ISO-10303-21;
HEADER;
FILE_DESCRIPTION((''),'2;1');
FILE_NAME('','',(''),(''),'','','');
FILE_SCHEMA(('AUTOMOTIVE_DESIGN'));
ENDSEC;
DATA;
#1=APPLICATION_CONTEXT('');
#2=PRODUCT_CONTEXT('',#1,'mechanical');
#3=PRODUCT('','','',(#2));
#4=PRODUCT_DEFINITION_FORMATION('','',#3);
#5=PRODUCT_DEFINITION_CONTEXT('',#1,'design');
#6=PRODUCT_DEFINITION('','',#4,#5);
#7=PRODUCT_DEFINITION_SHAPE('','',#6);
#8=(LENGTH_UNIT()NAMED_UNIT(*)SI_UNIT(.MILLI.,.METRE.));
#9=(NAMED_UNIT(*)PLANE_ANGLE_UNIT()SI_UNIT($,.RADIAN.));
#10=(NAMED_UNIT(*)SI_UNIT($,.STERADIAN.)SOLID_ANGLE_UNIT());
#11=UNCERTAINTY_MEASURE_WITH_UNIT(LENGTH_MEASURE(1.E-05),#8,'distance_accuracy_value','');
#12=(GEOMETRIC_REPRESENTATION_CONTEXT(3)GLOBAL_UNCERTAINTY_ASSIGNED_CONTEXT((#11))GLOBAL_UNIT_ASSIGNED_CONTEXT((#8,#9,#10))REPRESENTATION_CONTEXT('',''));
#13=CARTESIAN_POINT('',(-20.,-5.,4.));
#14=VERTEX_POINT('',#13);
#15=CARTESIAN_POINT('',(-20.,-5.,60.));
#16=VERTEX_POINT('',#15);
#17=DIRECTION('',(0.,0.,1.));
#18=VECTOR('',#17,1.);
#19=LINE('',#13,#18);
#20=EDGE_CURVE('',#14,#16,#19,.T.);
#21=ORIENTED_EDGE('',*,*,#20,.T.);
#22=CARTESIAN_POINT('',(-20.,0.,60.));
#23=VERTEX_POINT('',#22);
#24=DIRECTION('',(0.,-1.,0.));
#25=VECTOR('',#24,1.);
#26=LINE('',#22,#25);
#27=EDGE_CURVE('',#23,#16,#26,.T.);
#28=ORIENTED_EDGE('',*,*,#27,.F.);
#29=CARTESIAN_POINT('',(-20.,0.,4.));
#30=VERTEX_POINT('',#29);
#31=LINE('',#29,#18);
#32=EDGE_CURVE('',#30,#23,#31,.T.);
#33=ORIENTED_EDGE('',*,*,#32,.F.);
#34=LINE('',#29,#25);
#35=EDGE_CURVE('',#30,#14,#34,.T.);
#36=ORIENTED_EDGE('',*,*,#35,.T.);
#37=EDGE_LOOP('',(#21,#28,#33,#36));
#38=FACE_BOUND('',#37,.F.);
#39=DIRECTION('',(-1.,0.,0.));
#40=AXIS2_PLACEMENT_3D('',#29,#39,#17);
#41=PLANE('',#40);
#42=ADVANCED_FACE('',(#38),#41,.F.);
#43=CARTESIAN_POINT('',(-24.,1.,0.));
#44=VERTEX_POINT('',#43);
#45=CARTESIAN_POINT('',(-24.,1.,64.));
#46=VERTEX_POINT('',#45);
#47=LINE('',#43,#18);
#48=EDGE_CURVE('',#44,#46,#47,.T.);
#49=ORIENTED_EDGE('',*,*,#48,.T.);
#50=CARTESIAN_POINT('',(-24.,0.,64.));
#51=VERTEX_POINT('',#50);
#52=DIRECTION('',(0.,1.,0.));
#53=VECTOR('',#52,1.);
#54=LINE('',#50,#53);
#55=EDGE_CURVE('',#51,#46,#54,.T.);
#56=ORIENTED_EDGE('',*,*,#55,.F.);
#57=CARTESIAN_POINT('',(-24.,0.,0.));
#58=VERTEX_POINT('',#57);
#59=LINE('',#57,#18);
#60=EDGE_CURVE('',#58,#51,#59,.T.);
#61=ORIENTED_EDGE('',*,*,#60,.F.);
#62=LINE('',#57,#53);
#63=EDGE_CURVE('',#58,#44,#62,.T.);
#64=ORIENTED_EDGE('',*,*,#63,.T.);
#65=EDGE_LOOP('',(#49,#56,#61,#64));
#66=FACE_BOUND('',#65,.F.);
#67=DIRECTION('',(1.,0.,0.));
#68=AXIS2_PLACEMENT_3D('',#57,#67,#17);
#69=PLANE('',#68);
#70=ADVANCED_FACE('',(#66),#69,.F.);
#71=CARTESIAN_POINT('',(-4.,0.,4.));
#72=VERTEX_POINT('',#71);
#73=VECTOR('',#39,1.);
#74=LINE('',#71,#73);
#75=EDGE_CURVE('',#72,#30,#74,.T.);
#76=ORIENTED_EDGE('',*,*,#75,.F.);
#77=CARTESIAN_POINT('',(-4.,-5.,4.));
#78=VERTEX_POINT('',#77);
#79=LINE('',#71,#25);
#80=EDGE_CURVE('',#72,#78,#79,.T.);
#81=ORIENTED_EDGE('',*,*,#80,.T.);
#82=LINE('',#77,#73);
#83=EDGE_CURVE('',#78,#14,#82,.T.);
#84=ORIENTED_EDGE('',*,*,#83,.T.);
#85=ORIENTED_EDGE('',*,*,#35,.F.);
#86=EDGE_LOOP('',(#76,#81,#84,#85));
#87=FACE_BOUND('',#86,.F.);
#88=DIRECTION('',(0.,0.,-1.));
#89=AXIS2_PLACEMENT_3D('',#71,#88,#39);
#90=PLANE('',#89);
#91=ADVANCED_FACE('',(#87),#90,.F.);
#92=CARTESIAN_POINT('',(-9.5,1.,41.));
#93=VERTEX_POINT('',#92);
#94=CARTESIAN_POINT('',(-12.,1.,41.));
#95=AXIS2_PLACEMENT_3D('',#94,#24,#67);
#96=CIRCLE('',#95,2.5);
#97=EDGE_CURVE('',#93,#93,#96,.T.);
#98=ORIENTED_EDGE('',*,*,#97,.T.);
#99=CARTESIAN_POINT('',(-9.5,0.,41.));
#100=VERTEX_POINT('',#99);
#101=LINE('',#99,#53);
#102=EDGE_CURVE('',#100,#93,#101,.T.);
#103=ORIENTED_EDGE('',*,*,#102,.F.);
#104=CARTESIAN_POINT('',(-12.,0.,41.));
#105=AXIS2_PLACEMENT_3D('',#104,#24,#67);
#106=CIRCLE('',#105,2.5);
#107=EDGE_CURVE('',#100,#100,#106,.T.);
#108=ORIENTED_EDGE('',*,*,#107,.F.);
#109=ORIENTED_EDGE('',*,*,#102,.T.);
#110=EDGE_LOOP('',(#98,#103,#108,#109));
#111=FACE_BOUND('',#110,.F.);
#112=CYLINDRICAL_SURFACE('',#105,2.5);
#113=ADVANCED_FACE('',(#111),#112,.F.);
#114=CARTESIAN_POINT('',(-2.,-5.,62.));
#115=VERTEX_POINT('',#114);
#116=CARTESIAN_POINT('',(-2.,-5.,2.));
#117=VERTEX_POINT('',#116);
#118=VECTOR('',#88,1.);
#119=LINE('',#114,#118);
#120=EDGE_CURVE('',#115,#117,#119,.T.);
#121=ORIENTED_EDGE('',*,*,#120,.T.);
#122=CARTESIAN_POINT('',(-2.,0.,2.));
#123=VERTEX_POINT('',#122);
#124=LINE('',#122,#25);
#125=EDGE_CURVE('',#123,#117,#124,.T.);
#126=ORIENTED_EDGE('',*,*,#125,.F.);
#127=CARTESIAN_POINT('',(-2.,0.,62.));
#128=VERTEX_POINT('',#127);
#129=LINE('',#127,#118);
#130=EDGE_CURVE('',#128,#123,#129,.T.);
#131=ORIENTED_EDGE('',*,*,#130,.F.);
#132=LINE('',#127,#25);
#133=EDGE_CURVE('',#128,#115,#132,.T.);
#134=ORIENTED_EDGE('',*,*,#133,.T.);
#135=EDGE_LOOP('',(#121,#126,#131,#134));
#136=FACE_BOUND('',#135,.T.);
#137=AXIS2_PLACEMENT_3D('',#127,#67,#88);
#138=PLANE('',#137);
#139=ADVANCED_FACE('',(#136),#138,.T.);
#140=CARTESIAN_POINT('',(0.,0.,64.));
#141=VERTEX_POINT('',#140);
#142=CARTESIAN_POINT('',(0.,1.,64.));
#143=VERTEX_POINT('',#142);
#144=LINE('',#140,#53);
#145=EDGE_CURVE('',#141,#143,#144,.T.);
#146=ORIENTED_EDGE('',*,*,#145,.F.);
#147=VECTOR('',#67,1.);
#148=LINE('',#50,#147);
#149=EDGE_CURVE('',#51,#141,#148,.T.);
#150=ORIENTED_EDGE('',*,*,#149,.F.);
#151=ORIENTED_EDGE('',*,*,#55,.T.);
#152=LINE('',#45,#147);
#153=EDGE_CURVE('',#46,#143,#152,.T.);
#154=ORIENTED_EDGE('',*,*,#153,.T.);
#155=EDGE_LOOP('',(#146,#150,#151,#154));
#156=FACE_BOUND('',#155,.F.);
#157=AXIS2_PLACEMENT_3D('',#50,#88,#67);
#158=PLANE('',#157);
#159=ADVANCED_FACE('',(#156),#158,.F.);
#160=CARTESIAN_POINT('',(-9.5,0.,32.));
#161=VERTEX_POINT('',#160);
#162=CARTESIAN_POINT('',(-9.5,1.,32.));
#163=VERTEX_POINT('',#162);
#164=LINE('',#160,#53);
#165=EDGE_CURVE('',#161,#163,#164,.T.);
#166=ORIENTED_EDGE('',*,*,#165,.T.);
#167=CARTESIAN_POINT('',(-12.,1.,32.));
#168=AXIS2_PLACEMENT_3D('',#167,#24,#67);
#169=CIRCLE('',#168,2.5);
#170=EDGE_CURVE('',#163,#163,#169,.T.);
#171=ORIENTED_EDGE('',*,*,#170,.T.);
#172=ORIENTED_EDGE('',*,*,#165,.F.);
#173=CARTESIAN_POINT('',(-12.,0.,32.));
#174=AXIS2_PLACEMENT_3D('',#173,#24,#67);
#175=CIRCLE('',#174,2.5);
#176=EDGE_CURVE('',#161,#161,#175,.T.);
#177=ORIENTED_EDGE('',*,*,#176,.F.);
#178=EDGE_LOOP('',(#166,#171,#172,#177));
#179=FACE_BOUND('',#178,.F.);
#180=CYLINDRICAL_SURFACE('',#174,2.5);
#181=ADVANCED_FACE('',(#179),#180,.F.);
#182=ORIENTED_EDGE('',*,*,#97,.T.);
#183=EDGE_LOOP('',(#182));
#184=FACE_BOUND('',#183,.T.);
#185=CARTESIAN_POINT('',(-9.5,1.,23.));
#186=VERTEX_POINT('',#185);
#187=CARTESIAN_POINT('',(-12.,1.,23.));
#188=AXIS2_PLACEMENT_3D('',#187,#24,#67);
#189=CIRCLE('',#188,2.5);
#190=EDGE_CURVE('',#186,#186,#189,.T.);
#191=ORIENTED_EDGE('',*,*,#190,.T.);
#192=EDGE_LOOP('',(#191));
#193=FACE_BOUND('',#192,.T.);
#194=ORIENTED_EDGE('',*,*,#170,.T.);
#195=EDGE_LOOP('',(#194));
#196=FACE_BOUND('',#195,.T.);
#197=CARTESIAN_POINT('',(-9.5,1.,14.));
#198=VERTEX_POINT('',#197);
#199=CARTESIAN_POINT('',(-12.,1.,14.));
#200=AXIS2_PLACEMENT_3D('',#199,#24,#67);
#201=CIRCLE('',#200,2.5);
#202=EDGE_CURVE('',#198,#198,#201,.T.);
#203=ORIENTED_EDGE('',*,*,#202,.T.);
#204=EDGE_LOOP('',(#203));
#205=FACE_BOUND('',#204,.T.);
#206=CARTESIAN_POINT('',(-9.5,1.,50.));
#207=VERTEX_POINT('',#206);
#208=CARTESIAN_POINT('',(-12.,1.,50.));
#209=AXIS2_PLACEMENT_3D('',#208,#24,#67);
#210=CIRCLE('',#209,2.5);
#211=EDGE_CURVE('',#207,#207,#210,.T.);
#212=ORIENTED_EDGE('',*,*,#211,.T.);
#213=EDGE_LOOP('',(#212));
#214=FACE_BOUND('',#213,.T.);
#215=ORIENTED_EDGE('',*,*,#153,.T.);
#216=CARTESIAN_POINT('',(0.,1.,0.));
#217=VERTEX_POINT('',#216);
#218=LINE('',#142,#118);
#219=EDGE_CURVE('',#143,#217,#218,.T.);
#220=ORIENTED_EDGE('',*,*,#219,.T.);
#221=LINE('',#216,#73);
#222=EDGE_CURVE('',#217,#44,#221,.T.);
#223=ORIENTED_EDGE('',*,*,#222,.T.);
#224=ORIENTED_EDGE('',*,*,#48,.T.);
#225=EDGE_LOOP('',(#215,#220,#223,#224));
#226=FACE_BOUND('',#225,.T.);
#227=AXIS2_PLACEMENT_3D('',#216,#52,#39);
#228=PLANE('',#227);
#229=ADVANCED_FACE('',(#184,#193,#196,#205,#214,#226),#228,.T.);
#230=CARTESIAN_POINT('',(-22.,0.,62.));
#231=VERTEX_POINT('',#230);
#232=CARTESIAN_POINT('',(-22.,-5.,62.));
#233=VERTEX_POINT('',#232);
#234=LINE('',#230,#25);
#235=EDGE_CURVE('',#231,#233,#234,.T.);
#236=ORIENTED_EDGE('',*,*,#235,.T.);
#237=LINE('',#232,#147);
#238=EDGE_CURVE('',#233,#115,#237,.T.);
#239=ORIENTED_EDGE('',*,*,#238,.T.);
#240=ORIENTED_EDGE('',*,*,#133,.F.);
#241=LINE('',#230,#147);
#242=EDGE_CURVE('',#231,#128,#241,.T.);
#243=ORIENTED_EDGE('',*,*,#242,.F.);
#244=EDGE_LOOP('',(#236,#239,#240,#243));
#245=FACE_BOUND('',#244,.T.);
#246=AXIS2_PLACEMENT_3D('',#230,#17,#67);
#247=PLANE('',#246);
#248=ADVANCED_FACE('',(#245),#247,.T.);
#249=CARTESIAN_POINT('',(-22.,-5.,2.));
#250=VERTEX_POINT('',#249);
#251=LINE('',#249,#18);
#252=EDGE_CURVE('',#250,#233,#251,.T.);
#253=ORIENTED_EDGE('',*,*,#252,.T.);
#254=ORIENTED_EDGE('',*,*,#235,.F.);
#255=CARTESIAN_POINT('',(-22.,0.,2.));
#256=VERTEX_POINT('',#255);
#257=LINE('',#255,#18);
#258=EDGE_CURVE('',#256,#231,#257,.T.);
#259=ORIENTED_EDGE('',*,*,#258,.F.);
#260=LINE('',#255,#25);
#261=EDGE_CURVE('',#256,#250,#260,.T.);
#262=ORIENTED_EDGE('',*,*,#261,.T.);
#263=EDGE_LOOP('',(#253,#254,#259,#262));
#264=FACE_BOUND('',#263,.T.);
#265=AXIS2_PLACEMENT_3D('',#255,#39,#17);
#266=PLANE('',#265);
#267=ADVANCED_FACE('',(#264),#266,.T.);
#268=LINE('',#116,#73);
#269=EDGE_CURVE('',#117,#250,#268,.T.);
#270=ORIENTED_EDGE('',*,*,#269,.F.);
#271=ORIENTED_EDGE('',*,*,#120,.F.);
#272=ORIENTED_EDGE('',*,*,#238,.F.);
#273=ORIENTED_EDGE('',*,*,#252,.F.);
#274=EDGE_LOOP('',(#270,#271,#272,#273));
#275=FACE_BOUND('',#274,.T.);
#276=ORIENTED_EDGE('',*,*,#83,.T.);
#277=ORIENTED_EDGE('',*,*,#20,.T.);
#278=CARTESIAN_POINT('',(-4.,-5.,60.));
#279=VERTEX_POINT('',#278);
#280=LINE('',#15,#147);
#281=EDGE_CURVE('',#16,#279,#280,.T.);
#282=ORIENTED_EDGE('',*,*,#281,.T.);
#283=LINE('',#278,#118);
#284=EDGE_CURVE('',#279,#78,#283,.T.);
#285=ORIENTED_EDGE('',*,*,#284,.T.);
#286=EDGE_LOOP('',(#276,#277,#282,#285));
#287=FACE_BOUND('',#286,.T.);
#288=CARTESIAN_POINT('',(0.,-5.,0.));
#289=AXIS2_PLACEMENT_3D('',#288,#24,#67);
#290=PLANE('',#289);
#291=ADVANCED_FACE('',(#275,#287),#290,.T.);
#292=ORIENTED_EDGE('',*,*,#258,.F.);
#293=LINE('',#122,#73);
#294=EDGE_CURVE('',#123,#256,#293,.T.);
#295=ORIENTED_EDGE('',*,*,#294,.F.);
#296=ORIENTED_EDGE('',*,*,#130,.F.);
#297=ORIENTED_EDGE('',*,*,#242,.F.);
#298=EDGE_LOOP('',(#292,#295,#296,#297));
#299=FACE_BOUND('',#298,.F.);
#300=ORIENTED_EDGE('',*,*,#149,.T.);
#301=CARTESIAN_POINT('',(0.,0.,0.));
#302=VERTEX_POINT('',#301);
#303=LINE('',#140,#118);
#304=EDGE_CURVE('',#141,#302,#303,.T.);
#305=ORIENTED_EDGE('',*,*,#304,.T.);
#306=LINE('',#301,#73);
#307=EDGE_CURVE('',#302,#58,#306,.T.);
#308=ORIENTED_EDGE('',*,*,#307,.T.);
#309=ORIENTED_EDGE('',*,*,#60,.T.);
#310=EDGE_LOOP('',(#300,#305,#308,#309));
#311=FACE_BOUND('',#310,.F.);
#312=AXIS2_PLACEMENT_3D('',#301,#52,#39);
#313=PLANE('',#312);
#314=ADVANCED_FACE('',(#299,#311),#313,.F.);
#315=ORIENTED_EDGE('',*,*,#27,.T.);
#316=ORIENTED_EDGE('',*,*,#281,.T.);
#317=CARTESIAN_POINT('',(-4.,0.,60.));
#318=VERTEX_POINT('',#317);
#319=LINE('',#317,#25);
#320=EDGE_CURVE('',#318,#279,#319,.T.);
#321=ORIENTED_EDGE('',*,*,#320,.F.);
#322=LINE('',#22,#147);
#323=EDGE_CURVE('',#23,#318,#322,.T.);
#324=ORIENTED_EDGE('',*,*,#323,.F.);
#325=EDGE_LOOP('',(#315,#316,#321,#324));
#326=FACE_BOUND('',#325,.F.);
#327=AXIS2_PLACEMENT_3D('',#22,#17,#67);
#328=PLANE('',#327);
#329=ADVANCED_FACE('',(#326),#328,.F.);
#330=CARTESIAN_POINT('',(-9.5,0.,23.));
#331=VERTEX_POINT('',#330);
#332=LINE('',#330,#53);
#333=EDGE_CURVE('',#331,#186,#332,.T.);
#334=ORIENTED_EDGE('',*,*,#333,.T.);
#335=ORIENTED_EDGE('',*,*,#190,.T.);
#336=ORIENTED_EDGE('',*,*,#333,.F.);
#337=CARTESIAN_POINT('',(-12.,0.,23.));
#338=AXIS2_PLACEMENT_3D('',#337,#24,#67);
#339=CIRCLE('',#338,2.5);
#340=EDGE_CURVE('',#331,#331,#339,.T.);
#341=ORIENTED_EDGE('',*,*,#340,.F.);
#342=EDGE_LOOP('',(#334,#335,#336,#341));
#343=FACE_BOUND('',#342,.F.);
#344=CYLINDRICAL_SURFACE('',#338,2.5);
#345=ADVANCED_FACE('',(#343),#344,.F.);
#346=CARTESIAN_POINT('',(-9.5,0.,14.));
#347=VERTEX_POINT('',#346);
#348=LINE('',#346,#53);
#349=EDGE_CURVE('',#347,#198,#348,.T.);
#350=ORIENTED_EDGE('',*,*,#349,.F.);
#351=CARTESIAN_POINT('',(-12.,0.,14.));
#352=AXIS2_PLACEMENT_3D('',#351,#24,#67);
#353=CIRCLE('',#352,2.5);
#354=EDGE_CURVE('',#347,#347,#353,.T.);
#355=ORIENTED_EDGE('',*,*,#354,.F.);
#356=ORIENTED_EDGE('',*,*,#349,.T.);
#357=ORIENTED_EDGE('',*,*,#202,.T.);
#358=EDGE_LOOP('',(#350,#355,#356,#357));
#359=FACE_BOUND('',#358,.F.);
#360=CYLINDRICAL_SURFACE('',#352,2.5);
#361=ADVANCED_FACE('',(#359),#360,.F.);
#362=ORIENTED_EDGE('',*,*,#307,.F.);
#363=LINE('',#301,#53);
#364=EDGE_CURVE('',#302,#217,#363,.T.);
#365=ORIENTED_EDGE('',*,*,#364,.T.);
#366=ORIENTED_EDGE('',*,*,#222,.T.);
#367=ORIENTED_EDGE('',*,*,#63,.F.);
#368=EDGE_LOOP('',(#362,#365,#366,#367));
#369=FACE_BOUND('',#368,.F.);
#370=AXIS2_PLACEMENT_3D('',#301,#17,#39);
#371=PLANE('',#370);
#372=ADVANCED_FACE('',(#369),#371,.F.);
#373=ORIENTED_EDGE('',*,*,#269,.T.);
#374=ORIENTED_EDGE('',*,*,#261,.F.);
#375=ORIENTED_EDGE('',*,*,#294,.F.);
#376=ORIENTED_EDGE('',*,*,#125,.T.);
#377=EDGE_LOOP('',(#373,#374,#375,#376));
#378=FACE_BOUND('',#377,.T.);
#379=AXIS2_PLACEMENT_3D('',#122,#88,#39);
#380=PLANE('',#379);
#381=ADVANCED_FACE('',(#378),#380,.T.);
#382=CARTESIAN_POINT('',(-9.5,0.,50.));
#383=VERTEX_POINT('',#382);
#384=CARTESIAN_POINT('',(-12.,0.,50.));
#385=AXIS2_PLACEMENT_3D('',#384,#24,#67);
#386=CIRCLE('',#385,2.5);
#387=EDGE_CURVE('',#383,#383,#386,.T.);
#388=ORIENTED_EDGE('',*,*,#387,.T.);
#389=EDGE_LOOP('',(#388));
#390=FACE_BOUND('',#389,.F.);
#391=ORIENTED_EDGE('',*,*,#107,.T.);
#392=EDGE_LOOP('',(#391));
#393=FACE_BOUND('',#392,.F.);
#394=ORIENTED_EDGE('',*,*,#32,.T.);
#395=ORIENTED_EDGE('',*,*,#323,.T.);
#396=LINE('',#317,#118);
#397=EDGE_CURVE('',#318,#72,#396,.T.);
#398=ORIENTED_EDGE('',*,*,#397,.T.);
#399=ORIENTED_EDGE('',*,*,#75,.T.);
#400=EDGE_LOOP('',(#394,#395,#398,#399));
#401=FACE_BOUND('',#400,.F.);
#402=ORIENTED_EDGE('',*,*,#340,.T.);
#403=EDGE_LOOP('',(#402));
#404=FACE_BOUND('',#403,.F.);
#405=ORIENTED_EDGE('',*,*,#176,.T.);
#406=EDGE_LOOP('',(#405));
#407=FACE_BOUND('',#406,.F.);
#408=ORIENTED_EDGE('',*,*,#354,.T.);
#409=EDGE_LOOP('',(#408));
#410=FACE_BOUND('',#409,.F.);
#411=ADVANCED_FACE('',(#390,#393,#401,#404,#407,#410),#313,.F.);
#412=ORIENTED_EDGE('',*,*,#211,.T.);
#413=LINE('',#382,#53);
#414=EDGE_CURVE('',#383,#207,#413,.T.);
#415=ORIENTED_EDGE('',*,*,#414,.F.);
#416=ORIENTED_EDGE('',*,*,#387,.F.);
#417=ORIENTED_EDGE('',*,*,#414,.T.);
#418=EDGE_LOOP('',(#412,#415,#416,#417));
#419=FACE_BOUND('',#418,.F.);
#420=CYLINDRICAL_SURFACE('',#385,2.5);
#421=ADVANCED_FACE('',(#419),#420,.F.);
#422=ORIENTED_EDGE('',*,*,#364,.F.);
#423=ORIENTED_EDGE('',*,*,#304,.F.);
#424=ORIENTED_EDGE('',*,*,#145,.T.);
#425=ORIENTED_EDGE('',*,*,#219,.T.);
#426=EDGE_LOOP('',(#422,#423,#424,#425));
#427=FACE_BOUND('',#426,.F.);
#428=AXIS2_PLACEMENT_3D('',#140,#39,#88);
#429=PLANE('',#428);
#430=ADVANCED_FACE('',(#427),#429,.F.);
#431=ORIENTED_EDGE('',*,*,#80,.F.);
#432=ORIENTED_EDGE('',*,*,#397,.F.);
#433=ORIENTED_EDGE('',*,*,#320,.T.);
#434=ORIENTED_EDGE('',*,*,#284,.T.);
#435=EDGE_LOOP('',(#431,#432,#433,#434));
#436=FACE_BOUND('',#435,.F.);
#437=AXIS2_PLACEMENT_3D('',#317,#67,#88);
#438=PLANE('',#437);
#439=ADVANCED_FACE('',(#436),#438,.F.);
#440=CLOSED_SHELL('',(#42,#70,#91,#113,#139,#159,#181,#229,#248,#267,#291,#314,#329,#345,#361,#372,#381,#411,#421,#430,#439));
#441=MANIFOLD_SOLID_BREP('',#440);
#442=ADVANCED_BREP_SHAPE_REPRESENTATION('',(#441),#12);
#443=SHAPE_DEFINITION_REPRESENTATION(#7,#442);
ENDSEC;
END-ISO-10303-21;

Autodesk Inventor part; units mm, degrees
ref_plane "YZ Plane" through (0, 0, 0) normal (1, 0, 0) x (0, 1, 0)
ref_plane "XZ Plane" through (0, 0, 0) normal (0, 1, 0) x (-1, 0, 0)
ref_plane "XY Plane" through (0, 0, 0) normal (0, 0, 1) x (1, 0, 0)
sketch "Sketch1" plane through (0, 0, 0) normal (0, 1, 0) x (-1, 0, 0)
  line L0 (0, 0) -> (24, 0)
  line L1 (24, 0) -> (24, 64)
  line L2 (24, 64) -> (0, 64)
  line L3 (0, 64) -> (0, 0)
  dimension "d0" = 24
  dimension "d1" = 64
extrude "Extrusion1" add sketch "Sketch1" along normal blind 1
sketch "Sketch2" plane through (0, 0, 0) normal (0, -1, 0) x (1, 0, 0)
  line L0 (-24, 0) -> (-24, 64) projected
  line L1 (0, 0) -> (-24, 0) projected
  line L2 (0, 64) -> (0, 0) projected
  line L3 (-24, 64) -> (0, 64) projected
  line L4 (-2, 2) -> (-22, 2)
  line L5 (-22, 2) -> (-22, 62)
  line L6 (-22, 62) -> (-2, 62)
  line L7 (-2, 62) -> (-2, 2)
  line L8 (-4, 4) -> (-20, 4)
  line L9 (-20, 4) -> (-20, 60)
  line L10 (-20, 60) -> (-4, 60)
  line L11 (-4, 60) -> (-4, 4)
  dimension "d4" = 2
  dimension "d5" = 2
extrude "Extrusion2" add sketch "Sketch2" along normal blind 5 contours L4 L5 L6 L7
sketch "Sketch3" plane through (0, 0, 0) normal (0, -1, 0) x (1, 0, 0)
  line L0 (-4, 4) -> (-4, 60) projected
  line L1 (-4, 60) -> (-20, 60) projected
  line L2 (-20, 60) -> (-20, 4) projected
  line L3 (-20, 4) -> (-4, 4) projected
  line L4 (-4, 4) -> (-20, 4) construction
  line L5 (-12, 4) -> (-12, 60) construction
  line L6 (-4, 60) -> (-20, 60) construction
  line L7 (-12, 4) -> (-12, 5) construction
  line L8 (-12, 60) -> (-12, 59) construction
  line L9 (-12, 59) -> (-12, 50) construction
  line L10 (-12, 50) -> (-12, 41) construction
  line L11 (-12, 41) -> (-12, 32) construction
  line L12 (-12, 32) -> (-12, 23) construction
  line L13 (-12, 23) -> (-12, 14) construction
  circle A0 centre (-12, 50) radius 2.5
  circle A1 centre (-12, 41) radius 2.5
  circle A2 centre (-12, 32) radius 2.5
  circle A3 centre (-12, 23) radius 2.5
  circle A4 centre (-12, 14) radius 2.5
  point P0 (0, 0)
  dimension "d8" = 1
  dimension "d9" = 1
  dimension "d10" = 9
  dimension "d11" = 9
  dimension "d12" = 9
  dimension "d13" = 9
  dimension "d14" = 9
  dimension "d15" = 5
  dimension "d16" = 5
  dimension "d17" = 5
  dimension "d18" = 5
  dimension "d19" = 5
extrude "Extrusion3" cut sketch "Sketch3" against normal blind 2 contours A0 | A1 | A2 | A3 | A4
properties part number "Parte 2.2 final"
